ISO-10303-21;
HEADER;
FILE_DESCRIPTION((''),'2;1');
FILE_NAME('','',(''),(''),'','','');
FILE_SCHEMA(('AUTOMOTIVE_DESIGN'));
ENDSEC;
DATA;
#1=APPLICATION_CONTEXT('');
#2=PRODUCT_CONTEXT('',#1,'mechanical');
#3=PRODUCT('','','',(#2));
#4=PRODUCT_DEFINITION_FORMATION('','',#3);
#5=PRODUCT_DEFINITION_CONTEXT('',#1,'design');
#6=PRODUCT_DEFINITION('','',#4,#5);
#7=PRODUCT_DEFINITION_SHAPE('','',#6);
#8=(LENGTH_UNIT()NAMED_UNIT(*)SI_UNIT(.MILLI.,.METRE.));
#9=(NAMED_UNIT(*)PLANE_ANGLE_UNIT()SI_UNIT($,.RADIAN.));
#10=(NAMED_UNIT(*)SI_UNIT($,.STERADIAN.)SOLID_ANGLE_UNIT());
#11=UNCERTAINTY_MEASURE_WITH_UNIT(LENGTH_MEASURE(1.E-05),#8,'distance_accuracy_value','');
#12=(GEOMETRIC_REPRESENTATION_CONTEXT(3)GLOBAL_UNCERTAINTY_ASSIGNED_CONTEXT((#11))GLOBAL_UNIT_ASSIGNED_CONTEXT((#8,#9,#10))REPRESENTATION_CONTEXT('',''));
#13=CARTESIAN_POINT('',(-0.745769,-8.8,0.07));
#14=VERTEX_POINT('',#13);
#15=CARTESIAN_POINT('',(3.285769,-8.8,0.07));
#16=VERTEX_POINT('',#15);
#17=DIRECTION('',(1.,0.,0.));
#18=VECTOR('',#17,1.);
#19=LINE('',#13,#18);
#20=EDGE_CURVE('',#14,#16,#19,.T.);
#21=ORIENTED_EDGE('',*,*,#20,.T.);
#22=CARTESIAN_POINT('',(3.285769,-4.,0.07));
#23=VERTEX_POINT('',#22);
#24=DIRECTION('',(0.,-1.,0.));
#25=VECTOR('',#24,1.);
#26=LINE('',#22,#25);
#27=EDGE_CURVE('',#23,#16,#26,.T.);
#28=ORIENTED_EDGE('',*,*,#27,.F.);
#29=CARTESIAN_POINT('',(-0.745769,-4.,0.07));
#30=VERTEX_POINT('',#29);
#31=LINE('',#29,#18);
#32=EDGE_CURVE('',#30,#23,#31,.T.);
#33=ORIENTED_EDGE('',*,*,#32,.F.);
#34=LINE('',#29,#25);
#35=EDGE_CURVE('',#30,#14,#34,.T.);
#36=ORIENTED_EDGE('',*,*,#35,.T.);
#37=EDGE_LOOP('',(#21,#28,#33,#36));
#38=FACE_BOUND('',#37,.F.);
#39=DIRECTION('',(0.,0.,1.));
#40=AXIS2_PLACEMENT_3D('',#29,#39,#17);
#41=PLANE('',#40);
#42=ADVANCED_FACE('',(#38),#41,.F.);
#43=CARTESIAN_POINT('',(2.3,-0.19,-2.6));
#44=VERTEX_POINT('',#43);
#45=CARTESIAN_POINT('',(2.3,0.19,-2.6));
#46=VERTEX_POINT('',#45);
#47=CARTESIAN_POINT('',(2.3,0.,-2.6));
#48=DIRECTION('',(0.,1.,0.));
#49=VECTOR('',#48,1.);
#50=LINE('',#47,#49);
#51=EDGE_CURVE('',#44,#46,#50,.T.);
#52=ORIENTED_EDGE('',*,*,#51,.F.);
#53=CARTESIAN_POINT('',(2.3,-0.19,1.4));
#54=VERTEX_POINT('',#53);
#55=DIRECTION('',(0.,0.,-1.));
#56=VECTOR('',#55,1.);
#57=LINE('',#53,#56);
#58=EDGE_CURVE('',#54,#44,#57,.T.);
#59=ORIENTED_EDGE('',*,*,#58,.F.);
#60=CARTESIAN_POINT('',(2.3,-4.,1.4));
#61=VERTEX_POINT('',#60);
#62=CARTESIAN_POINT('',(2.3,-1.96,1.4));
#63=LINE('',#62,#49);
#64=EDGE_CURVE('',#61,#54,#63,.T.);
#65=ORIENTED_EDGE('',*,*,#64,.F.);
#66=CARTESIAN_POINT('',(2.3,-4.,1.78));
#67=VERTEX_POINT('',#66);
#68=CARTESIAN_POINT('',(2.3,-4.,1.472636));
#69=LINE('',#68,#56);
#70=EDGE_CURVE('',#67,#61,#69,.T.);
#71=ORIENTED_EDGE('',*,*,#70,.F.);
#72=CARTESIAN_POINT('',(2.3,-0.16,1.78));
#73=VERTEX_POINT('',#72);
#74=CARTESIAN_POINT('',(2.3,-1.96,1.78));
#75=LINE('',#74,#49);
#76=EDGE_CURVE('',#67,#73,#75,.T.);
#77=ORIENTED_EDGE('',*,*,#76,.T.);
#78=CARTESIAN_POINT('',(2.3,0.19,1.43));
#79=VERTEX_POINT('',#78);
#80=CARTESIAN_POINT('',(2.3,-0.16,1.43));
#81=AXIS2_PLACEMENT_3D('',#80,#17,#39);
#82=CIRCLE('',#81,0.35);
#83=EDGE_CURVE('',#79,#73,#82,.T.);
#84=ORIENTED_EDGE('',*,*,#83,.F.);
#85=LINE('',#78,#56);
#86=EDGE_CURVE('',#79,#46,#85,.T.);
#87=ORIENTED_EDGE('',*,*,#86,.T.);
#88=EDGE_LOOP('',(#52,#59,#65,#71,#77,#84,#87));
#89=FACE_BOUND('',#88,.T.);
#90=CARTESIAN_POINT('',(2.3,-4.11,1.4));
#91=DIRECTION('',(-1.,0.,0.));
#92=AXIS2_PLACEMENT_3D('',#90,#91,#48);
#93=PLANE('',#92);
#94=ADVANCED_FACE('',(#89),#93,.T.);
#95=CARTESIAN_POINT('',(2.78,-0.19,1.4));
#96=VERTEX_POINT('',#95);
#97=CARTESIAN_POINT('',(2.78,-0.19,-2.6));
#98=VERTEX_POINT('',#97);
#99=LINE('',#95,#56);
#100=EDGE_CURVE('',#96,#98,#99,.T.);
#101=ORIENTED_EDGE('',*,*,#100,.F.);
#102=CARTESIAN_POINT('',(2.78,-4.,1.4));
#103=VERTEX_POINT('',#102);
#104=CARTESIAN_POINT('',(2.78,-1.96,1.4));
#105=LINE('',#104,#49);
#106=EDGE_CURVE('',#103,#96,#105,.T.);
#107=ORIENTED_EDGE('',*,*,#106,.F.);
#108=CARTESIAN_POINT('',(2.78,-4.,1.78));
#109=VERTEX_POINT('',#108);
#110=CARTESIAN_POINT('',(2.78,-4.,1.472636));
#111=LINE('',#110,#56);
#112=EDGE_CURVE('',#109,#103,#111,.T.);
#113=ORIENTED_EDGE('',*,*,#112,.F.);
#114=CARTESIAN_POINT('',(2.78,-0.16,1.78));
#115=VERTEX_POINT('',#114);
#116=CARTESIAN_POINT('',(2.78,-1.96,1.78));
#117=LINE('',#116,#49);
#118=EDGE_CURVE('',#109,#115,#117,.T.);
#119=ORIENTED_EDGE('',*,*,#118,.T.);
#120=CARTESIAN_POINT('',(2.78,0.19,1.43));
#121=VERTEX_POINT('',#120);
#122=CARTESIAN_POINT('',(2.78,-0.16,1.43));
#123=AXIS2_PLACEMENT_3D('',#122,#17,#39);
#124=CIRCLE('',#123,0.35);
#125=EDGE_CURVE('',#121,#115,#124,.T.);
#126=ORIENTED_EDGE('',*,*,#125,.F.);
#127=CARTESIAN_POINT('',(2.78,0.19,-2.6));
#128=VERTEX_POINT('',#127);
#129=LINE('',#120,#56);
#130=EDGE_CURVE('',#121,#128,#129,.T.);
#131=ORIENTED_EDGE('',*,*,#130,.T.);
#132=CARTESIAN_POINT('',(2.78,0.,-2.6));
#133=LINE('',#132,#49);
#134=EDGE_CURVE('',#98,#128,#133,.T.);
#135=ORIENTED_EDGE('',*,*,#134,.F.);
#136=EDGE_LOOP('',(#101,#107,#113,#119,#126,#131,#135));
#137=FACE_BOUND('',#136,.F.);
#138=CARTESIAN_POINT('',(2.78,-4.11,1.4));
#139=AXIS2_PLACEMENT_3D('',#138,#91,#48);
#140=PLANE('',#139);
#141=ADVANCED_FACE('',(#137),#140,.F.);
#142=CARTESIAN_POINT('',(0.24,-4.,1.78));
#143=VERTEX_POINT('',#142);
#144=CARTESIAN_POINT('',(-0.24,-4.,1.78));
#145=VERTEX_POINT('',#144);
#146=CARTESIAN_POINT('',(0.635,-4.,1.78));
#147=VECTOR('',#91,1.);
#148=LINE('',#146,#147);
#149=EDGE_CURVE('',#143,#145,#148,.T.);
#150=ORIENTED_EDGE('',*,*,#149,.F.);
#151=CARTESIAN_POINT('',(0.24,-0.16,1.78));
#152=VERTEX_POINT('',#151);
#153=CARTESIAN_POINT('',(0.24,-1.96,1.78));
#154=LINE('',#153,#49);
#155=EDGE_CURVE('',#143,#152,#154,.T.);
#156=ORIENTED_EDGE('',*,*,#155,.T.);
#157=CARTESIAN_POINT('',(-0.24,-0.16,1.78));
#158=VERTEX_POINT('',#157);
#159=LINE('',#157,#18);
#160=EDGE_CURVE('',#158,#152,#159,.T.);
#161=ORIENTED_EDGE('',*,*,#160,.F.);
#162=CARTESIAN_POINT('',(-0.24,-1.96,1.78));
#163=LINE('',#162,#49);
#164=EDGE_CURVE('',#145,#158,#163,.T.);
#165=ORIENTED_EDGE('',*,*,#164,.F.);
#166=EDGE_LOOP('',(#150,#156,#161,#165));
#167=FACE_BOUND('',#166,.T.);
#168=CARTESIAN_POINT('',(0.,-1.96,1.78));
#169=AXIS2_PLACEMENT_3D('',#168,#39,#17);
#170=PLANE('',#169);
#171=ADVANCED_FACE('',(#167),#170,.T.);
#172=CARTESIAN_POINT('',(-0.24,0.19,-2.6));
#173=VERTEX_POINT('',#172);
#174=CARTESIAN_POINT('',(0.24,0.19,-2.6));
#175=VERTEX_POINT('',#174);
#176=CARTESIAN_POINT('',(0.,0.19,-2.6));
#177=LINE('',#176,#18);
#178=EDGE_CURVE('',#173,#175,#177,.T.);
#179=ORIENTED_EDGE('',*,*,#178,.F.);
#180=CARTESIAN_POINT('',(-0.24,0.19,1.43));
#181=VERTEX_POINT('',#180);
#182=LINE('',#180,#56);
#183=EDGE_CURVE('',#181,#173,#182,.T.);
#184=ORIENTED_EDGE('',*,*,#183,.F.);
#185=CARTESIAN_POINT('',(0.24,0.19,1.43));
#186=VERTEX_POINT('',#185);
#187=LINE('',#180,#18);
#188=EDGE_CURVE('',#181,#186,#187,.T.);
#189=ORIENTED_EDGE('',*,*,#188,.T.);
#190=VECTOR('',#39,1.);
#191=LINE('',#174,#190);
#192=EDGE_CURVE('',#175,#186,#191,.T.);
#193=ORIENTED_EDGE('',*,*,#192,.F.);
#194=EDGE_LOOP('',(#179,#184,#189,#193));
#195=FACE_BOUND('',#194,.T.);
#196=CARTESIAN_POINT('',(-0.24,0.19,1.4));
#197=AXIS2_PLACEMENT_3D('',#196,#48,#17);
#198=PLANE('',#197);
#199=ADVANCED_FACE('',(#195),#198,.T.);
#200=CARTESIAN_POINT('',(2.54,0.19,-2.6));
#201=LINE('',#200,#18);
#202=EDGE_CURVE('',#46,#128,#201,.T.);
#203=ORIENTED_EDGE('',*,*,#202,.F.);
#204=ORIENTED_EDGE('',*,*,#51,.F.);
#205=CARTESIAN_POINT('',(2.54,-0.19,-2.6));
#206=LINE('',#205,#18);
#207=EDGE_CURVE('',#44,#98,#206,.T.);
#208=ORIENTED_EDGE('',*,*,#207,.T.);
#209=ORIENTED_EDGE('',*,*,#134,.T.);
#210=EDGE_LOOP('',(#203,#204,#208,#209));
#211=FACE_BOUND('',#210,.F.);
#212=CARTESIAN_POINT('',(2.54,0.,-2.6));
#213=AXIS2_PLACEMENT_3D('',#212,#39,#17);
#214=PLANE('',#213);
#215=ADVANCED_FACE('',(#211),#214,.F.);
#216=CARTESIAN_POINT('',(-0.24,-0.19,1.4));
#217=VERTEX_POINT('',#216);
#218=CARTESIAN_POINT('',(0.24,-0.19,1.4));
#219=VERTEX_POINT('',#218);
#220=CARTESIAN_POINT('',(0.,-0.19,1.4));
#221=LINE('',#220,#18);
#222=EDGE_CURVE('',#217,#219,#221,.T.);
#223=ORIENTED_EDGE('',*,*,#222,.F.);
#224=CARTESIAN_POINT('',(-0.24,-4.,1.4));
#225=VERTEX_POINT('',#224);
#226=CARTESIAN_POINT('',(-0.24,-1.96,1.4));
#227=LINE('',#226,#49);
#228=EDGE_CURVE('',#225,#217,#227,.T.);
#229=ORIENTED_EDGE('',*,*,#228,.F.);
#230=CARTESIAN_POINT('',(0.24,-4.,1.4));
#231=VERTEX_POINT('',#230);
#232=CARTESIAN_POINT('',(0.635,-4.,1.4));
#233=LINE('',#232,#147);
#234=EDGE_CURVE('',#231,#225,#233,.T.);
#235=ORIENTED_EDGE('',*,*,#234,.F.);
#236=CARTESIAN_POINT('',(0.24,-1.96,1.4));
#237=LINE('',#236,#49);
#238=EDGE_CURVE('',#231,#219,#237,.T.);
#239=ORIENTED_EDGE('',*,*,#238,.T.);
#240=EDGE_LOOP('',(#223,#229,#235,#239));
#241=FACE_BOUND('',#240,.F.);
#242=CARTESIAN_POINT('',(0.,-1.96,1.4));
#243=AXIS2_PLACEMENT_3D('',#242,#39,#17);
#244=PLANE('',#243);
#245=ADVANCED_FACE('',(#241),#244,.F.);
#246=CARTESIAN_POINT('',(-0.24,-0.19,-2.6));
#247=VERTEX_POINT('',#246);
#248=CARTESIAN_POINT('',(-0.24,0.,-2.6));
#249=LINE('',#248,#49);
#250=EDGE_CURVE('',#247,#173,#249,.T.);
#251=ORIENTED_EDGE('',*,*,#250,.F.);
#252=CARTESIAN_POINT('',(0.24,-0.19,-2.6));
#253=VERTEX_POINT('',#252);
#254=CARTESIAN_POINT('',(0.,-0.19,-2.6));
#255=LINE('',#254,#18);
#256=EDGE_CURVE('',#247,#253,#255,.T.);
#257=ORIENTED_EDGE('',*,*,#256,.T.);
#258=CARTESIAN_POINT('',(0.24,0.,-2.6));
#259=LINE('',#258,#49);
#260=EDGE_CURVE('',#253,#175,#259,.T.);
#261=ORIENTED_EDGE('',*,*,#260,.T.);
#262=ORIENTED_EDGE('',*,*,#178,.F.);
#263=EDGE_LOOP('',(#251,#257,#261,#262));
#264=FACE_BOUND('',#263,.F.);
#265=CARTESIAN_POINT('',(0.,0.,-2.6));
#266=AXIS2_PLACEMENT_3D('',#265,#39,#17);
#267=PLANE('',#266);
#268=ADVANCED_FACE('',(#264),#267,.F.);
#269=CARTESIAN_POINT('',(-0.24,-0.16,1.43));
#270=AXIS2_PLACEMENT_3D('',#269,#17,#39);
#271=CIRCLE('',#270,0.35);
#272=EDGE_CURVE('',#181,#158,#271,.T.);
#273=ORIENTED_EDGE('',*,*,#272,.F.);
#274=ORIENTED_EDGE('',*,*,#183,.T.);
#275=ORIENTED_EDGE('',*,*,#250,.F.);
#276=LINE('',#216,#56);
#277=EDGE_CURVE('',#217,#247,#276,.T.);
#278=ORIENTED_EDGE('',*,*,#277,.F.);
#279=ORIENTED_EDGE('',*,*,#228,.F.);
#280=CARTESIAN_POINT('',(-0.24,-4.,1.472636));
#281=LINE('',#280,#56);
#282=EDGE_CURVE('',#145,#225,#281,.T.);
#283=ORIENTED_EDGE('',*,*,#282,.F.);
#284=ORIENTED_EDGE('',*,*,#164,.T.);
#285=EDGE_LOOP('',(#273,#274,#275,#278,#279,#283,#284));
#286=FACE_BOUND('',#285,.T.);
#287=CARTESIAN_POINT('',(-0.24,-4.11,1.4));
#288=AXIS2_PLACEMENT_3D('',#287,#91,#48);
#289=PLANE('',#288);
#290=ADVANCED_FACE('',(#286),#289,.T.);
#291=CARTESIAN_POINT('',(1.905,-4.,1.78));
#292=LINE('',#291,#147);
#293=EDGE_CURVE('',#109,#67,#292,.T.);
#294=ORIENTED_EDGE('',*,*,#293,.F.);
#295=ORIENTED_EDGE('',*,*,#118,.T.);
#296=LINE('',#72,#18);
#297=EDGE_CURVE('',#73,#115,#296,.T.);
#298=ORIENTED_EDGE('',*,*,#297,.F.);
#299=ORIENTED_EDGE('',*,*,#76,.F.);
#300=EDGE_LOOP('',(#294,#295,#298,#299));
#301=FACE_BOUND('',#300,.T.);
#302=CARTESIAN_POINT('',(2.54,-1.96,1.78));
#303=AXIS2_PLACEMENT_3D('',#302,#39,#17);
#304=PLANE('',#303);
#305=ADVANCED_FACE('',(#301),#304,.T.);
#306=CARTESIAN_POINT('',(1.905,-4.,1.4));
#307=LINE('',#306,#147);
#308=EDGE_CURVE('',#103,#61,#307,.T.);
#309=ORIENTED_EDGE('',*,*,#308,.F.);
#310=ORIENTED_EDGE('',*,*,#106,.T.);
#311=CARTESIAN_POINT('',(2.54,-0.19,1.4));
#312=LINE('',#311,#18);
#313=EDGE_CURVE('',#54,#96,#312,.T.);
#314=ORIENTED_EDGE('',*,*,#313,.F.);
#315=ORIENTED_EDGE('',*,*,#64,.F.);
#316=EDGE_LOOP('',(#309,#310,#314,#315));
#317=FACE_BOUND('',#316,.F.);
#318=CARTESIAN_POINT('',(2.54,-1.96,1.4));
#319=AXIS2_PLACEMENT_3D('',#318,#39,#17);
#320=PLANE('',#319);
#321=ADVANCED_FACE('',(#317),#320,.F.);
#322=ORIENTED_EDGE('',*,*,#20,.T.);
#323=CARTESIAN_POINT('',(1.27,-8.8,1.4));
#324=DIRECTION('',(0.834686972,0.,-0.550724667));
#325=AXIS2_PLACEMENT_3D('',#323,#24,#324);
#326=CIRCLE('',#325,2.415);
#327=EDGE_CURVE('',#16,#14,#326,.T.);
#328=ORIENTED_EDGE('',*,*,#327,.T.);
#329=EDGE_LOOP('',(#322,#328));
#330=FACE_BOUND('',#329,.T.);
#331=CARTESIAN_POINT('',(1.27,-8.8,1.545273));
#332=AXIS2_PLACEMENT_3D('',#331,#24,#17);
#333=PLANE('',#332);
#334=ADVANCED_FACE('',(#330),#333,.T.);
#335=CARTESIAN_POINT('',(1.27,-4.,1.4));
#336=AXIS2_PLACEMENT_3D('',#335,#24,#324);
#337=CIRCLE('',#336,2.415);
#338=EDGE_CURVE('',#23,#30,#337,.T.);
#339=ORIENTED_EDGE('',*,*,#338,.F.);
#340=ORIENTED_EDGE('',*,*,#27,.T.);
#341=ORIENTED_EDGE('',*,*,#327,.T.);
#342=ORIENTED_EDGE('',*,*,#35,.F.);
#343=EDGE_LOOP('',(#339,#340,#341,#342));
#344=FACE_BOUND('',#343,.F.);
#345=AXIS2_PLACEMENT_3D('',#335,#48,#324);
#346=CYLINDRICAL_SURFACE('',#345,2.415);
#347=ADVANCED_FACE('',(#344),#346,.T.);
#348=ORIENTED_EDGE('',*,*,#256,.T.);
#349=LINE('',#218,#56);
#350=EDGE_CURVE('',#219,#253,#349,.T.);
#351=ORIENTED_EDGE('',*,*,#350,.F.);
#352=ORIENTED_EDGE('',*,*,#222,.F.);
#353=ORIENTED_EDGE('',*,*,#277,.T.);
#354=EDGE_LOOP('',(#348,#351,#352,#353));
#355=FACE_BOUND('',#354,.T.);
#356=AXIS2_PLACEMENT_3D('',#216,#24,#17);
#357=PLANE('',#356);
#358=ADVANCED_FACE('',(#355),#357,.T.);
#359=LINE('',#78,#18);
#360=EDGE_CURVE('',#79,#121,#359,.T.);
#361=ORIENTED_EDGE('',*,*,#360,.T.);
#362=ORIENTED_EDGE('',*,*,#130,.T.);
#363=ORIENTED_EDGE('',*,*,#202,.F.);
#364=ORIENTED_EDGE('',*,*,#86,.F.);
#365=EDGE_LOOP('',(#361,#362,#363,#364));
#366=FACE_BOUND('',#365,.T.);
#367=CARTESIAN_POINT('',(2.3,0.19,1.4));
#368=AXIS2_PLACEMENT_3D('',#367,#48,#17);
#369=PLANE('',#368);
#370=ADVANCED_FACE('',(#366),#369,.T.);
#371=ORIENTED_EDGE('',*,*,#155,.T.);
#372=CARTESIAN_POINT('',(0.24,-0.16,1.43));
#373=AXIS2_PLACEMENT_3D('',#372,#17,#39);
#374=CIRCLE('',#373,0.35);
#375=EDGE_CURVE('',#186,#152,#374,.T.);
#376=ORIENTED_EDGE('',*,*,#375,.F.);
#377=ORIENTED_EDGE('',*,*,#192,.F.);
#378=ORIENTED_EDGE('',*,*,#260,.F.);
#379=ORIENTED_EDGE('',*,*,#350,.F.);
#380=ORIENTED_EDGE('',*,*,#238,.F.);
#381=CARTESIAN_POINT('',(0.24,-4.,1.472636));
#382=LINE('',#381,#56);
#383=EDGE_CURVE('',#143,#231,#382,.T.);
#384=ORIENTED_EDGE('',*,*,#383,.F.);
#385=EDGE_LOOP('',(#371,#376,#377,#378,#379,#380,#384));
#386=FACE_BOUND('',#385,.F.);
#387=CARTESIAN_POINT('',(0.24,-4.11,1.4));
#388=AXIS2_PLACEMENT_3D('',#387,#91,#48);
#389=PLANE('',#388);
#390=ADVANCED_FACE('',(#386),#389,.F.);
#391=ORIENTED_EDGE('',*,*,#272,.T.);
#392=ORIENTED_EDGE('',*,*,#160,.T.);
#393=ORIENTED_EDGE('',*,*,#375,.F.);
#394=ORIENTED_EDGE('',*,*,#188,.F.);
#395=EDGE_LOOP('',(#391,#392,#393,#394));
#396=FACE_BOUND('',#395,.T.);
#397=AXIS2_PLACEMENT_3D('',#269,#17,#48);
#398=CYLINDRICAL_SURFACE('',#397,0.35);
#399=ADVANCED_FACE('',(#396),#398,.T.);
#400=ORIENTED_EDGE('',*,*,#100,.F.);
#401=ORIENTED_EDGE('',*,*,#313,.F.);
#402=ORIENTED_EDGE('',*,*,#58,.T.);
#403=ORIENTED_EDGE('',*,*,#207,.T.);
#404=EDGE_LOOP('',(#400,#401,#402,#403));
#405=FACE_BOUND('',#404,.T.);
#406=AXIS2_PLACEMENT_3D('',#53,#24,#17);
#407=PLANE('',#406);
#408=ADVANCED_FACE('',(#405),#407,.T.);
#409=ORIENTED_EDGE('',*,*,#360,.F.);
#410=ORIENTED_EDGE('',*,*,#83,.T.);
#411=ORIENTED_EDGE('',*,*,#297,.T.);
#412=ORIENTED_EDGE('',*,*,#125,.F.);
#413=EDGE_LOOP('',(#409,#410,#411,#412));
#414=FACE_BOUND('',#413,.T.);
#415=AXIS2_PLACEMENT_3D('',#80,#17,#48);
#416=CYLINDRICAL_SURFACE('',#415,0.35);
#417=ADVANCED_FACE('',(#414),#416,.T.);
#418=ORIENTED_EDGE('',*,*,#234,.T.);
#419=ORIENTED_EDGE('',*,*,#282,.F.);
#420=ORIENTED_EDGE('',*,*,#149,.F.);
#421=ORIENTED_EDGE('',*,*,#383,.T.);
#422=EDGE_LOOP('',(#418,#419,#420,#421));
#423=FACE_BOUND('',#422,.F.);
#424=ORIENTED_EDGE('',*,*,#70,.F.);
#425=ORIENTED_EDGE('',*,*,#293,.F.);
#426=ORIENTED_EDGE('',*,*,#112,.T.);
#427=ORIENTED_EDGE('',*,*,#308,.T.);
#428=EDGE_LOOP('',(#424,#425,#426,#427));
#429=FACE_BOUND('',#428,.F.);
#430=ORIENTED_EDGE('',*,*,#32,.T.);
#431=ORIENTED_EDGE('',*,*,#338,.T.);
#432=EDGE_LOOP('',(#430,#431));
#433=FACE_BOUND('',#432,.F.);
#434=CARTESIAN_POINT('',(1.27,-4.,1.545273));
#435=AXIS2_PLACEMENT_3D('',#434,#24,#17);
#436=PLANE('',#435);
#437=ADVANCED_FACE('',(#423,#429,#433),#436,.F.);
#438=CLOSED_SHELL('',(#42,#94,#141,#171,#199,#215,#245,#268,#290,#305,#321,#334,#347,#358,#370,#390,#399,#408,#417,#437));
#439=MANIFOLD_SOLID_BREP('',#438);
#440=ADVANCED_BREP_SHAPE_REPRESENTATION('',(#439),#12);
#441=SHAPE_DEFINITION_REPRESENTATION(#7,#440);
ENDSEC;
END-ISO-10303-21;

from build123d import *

# Parameters (mm, degrees)
PAD_DEPTH    = 4.8
SKETCH002_W  = 0.48
SKETCH002_H  = 4.3
PAD002_DEPTH = 0.38
FILLET_R     = 0.35
SKETCH001_W  = 0.48
SKETCH001_H  = 0.38
PAD001_DEPTH = 4


with BuildPart() as pad:
    # Sketch → Pad (new body)
    with BuildSketch(Plane(origin=(0, -4, 1.4), x_dir=(1, 0, 0), z_dir=(0, -1, 0))):
        with BuildLine():
            Line((-0.745769, -1.33), (3.285769, -1.33))
            ThreePointArc((3.285769, -1.33), (1.27, 2.415), (-0.745769, -1.33))
        make_face()
    extrude(amount=PAD_DEPTH)


with BuildPart() as fillet_body:
    # Sketch002 → Pad002 (new body)
    with BuildSketch(Plane.XY.offset(1.4)):
        with Locations((2.54, -1.96)):
            Rectangle(SKETCH002_W, SKETCH002_H)
        with Locations((0, -1.96)):
            Rectangle(SKETCH002_W, SKETCH002_H)
    extrude(amount=PAD002_DEPTH)

    # Fillet
    fillet_edges = [fillet_body.edges().sort_by_distance(p)[0] for p in [
        (2.54, 0.19, 1.78),
        (0, 0.19, 1.78),
    ]]
    fillet(fillet_edges, radius=FILLET_R)


with BuildPart() as to_92_2_w4_0mm_horizontal_flatsidedown:
    # Sketch001 → Pad001 (new body)
    with BuildSketch(Plane.XY.offset(1.4)):
        Rectangle(SKETCH001_W, SKETCH001_H)
        with Locations((2.54, 0)):
            Rectangle(SKETCH001_W, SKETCH001_H)
    extrude(amount=-PAD001_DEPTH)

    # Pad001_mp_cp: union Pad, Fillet body
    add(pad.part)
    add(fillet_body.part)


solid = to_92_2_w4_0mm_horizontal_flatsidedown.part
